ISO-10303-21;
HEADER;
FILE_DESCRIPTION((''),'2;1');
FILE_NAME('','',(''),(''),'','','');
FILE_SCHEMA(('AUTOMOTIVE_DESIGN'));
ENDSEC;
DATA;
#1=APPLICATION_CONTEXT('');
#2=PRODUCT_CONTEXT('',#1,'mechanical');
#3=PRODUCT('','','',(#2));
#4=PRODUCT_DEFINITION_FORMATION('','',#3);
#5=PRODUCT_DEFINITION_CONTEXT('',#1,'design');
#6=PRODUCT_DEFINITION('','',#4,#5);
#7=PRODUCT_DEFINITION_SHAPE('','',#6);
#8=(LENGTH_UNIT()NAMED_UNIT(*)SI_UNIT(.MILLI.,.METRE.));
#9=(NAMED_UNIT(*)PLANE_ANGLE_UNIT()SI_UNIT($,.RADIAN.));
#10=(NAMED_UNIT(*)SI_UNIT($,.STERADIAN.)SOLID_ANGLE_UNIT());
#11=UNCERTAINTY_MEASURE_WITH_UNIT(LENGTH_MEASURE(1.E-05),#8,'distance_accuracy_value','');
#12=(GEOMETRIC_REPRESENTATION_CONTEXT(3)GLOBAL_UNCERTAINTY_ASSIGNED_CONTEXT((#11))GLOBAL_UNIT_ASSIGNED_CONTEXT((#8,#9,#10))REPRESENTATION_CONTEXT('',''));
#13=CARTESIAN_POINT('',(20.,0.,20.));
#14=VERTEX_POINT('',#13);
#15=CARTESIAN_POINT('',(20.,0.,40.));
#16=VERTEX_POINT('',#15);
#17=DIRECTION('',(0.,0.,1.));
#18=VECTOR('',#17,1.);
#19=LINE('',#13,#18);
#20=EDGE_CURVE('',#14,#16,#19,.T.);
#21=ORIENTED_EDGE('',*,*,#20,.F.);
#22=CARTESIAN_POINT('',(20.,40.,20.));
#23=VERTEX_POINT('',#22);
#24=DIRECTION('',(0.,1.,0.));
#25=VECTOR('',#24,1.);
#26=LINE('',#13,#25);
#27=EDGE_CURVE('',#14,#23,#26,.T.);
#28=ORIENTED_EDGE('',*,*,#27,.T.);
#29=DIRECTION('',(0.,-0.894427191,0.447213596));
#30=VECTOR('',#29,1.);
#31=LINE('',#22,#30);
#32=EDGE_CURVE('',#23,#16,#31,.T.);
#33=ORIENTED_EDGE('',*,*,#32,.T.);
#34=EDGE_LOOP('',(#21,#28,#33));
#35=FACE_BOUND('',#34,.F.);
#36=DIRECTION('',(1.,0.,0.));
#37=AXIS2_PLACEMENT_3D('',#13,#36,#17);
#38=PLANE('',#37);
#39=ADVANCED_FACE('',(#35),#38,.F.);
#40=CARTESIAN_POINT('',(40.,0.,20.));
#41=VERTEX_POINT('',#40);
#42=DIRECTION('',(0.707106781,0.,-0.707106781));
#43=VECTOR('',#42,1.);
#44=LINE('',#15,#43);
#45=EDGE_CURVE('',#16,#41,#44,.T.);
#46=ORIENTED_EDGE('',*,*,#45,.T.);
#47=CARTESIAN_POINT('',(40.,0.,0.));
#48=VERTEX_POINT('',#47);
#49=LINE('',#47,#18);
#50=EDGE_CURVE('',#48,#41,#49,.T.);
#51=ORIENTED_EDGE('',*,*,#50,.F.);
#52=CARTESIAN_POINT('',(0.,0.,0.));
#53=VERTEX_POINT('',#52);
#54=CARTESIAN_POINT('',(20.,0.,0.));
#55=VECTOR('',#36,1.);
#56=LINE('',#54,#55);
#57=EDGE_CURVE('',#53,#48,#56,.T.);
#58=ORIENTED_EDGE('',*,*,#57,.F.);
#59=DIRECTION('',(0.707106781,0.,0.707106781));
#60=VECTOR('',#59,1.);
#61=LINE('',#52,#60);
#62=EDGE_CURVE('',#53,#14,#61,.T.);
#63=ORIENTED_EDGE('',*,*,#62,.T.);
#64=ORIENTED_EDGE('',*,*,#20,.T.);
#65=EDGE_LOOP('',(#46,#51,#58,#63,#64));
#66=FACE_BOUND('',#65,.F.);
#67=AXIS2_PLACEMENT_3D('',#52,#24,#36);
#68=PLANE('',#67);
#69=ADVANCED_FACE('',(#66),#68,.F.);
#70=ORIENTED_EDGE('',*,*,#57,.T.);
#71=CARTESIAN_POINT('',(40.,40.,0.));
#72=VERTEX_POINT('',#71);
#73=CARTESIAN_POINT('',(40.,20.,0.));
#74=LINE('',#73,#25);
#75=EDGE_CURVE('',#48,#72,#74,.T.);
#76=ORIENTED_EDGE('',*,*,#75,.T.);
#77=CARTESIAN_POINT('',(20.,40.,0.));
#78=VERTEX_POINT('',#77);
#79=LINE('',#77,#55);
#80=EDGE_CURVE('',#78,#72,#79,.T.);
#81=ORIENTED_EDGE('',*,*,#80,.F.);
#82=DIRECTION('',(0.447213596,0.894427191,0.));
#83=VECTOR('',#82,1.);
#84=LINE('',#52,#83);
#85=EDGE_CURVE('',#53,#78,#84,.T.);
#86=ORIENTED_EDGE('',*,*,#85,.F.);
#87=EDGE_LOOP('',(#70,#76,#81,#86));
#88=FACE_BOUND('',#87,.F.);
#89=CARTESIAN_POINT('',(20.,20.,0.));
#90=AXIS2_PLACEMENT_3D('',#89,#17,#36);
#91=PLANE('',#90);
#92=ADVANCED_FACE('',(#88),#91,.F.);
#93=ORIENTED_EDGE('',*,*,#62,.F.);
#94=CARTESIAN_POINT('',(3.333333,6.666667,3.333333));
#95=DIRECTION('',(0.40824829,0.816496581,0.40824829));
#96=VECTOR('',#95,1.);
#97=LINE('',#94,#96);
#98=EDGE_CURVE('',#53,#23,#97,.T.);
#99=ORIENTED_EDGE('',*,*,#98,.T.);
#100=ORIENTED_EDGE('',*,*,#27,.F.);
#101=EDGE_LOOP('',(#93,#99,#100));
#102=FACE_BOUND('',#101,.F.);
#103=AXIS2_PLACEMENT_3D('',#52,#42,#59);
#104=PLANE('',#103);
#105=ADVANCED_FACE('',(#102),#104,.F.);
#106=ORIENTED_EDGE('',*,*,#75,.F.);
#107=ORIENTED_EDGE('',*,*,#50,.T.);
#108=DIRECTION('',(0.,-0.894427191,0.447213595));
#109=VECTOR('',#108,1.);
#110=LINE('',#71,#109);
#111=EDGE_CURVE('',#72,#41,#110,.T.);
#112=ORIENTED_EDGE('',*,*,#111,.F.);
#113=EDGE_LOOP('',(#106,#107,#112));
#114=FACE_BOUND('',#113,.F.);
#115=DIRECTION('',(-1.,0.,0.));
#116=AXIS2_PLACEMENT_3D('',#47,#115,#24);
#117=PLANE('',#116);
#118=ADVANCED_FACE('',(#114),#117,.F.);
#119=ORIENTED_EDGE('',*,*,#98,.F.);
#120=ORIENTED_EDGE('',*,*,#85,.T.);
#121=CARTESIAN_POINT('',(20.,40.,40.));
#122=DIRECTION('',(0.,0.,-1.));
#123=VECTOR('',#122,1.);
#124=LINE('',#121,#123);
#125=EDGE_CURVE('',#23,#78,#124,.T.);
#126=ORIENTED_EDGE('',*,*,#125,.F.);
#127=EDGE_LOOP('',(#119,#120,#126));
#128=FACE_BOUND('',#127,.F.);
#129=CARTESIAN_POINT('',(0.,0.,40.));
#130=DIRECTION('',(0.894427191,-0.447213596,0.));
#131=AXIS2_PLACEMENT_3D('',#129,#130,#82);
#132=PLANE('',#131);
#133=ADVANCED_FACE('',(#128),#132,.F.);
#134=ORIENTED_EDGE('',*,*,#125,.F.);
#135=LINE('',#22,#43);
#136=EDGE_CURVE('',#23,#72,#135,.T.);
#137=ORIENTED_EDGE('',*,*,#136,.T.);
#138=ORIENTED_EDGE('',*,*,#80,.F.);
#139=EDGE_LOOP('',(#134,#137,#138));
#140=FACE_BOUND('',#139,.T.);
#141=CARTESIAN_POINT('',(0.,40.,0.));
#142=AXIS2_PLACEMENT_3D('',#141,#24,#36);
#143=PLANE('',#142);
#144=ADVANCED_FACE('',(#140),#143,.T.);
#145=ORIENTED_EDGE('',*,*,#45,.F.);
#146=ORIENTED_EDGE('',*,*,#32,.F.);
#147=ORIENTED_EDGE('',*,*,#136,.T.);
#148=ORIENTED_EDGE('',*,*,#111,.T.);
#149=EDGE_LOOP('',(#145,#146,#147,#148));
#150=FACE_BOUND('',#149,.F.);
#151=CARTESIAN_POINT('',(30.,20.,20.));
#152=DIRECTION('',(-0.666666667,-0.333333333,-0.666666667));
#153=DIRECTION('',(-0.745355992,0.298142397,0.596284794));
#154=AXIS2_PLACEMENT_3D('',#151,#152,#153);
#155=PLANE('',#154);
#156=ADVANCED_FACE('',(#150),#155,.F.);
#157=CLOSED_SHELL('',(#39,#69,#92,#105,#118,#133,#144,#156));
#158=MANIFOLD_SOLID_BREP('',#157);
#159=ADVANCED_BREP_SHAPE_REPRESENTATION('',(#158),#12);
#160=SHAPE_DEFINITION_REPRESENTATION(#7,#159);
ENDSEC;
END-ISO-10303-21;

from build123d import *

# Parameters (mm, degrees)
SKETCH1_W           = 40
SKETCH1_H           = 40
BOSS_EXTRUDE1_DEPTH = 40
CUT_EXTRUDE1_DEPTH  = 40
CUT_EXTRUDE2_DEPTH  = 40
CUT_EXTRUDE10_DEPTH = 40
CUT_EXTRUDE11_DEPTH = 40
CUT_EXTRUDE12_DEPTH = 40


with BuildPart() as part:
    # Sketch1 → Boss-Extrude1 (new body)
    with BuildSketch(Plane.XY):
        with Locations((20, 20)):
            Rectangle(SKETCH1_W, SKETCH1_H)
    extrude(amount=BOSS_EXTRUDE1_DEPTH)

    # Sketch2 → Cut-Extrude1 (cut)
    with BuildSketch(Plane.XY.offset(40)):
        Polygon((0, 0), (20, 40), (0, 40), align=None)
    extrude(amount=-CUT_EXTRUDE1_DEPTH, mode=Mode.SUBTRACT)

    # Sketch3 → Cut-Extrude2 (cut)
    with BuildSketch(Plane(origin=(0, 0, 0), x_dir=(-1, 0, 0), z_dir=(0, -1, 0))):
        Polygon((0, 0), (-20, -20), (-20, -40), (0, -40), align=None)
    extrude(amount=-CUT_EXTRUDE2_DEPTH, mode=Mode.SUBTRACT)

    # Sketch12 → Cut-Extrude10 (cut)
    with BuildSketch(Plane.ZY.offset(-20)):
        Polygon((20, 40), (40, 0), (40, 40), align=None)
    extrude(amount=-CUT_EXTRUDE10_DEPTH, mode=Mode.SUBTRACT)

    # Sketch13 → Cut-Extrude11 (cut)
    with BuildSketch(Plane.XZ):
        Polygon((20, 40), (40, 20), (40, 40), align=None)
    extrude(amount=-CUT_EXTRUDE11_DEPTH, mode=Mode.SUBTRACT)

    # Sketch14 → Cut-Extrude12 (cut)
    with BuildSketch(Plane(origin=(26.666666667, 13.333333333, 26.666666667), x_dir=(-0.745355992, 0.298142397, 0.596284794), z_dir=(-0.666666667, -0.333333333, -0.666666667))):
        Polygon((-17.88854382, 35.77708764), (-17.88854382, -8.94427191), (8.94427191, -17.88854382), (8.94427191, 26.83281573), align=None)
    extrude(amount=-CUT_EXTRUDE12_DEPTH, mode=Mode.SUBTRACT)


solid = part.part
